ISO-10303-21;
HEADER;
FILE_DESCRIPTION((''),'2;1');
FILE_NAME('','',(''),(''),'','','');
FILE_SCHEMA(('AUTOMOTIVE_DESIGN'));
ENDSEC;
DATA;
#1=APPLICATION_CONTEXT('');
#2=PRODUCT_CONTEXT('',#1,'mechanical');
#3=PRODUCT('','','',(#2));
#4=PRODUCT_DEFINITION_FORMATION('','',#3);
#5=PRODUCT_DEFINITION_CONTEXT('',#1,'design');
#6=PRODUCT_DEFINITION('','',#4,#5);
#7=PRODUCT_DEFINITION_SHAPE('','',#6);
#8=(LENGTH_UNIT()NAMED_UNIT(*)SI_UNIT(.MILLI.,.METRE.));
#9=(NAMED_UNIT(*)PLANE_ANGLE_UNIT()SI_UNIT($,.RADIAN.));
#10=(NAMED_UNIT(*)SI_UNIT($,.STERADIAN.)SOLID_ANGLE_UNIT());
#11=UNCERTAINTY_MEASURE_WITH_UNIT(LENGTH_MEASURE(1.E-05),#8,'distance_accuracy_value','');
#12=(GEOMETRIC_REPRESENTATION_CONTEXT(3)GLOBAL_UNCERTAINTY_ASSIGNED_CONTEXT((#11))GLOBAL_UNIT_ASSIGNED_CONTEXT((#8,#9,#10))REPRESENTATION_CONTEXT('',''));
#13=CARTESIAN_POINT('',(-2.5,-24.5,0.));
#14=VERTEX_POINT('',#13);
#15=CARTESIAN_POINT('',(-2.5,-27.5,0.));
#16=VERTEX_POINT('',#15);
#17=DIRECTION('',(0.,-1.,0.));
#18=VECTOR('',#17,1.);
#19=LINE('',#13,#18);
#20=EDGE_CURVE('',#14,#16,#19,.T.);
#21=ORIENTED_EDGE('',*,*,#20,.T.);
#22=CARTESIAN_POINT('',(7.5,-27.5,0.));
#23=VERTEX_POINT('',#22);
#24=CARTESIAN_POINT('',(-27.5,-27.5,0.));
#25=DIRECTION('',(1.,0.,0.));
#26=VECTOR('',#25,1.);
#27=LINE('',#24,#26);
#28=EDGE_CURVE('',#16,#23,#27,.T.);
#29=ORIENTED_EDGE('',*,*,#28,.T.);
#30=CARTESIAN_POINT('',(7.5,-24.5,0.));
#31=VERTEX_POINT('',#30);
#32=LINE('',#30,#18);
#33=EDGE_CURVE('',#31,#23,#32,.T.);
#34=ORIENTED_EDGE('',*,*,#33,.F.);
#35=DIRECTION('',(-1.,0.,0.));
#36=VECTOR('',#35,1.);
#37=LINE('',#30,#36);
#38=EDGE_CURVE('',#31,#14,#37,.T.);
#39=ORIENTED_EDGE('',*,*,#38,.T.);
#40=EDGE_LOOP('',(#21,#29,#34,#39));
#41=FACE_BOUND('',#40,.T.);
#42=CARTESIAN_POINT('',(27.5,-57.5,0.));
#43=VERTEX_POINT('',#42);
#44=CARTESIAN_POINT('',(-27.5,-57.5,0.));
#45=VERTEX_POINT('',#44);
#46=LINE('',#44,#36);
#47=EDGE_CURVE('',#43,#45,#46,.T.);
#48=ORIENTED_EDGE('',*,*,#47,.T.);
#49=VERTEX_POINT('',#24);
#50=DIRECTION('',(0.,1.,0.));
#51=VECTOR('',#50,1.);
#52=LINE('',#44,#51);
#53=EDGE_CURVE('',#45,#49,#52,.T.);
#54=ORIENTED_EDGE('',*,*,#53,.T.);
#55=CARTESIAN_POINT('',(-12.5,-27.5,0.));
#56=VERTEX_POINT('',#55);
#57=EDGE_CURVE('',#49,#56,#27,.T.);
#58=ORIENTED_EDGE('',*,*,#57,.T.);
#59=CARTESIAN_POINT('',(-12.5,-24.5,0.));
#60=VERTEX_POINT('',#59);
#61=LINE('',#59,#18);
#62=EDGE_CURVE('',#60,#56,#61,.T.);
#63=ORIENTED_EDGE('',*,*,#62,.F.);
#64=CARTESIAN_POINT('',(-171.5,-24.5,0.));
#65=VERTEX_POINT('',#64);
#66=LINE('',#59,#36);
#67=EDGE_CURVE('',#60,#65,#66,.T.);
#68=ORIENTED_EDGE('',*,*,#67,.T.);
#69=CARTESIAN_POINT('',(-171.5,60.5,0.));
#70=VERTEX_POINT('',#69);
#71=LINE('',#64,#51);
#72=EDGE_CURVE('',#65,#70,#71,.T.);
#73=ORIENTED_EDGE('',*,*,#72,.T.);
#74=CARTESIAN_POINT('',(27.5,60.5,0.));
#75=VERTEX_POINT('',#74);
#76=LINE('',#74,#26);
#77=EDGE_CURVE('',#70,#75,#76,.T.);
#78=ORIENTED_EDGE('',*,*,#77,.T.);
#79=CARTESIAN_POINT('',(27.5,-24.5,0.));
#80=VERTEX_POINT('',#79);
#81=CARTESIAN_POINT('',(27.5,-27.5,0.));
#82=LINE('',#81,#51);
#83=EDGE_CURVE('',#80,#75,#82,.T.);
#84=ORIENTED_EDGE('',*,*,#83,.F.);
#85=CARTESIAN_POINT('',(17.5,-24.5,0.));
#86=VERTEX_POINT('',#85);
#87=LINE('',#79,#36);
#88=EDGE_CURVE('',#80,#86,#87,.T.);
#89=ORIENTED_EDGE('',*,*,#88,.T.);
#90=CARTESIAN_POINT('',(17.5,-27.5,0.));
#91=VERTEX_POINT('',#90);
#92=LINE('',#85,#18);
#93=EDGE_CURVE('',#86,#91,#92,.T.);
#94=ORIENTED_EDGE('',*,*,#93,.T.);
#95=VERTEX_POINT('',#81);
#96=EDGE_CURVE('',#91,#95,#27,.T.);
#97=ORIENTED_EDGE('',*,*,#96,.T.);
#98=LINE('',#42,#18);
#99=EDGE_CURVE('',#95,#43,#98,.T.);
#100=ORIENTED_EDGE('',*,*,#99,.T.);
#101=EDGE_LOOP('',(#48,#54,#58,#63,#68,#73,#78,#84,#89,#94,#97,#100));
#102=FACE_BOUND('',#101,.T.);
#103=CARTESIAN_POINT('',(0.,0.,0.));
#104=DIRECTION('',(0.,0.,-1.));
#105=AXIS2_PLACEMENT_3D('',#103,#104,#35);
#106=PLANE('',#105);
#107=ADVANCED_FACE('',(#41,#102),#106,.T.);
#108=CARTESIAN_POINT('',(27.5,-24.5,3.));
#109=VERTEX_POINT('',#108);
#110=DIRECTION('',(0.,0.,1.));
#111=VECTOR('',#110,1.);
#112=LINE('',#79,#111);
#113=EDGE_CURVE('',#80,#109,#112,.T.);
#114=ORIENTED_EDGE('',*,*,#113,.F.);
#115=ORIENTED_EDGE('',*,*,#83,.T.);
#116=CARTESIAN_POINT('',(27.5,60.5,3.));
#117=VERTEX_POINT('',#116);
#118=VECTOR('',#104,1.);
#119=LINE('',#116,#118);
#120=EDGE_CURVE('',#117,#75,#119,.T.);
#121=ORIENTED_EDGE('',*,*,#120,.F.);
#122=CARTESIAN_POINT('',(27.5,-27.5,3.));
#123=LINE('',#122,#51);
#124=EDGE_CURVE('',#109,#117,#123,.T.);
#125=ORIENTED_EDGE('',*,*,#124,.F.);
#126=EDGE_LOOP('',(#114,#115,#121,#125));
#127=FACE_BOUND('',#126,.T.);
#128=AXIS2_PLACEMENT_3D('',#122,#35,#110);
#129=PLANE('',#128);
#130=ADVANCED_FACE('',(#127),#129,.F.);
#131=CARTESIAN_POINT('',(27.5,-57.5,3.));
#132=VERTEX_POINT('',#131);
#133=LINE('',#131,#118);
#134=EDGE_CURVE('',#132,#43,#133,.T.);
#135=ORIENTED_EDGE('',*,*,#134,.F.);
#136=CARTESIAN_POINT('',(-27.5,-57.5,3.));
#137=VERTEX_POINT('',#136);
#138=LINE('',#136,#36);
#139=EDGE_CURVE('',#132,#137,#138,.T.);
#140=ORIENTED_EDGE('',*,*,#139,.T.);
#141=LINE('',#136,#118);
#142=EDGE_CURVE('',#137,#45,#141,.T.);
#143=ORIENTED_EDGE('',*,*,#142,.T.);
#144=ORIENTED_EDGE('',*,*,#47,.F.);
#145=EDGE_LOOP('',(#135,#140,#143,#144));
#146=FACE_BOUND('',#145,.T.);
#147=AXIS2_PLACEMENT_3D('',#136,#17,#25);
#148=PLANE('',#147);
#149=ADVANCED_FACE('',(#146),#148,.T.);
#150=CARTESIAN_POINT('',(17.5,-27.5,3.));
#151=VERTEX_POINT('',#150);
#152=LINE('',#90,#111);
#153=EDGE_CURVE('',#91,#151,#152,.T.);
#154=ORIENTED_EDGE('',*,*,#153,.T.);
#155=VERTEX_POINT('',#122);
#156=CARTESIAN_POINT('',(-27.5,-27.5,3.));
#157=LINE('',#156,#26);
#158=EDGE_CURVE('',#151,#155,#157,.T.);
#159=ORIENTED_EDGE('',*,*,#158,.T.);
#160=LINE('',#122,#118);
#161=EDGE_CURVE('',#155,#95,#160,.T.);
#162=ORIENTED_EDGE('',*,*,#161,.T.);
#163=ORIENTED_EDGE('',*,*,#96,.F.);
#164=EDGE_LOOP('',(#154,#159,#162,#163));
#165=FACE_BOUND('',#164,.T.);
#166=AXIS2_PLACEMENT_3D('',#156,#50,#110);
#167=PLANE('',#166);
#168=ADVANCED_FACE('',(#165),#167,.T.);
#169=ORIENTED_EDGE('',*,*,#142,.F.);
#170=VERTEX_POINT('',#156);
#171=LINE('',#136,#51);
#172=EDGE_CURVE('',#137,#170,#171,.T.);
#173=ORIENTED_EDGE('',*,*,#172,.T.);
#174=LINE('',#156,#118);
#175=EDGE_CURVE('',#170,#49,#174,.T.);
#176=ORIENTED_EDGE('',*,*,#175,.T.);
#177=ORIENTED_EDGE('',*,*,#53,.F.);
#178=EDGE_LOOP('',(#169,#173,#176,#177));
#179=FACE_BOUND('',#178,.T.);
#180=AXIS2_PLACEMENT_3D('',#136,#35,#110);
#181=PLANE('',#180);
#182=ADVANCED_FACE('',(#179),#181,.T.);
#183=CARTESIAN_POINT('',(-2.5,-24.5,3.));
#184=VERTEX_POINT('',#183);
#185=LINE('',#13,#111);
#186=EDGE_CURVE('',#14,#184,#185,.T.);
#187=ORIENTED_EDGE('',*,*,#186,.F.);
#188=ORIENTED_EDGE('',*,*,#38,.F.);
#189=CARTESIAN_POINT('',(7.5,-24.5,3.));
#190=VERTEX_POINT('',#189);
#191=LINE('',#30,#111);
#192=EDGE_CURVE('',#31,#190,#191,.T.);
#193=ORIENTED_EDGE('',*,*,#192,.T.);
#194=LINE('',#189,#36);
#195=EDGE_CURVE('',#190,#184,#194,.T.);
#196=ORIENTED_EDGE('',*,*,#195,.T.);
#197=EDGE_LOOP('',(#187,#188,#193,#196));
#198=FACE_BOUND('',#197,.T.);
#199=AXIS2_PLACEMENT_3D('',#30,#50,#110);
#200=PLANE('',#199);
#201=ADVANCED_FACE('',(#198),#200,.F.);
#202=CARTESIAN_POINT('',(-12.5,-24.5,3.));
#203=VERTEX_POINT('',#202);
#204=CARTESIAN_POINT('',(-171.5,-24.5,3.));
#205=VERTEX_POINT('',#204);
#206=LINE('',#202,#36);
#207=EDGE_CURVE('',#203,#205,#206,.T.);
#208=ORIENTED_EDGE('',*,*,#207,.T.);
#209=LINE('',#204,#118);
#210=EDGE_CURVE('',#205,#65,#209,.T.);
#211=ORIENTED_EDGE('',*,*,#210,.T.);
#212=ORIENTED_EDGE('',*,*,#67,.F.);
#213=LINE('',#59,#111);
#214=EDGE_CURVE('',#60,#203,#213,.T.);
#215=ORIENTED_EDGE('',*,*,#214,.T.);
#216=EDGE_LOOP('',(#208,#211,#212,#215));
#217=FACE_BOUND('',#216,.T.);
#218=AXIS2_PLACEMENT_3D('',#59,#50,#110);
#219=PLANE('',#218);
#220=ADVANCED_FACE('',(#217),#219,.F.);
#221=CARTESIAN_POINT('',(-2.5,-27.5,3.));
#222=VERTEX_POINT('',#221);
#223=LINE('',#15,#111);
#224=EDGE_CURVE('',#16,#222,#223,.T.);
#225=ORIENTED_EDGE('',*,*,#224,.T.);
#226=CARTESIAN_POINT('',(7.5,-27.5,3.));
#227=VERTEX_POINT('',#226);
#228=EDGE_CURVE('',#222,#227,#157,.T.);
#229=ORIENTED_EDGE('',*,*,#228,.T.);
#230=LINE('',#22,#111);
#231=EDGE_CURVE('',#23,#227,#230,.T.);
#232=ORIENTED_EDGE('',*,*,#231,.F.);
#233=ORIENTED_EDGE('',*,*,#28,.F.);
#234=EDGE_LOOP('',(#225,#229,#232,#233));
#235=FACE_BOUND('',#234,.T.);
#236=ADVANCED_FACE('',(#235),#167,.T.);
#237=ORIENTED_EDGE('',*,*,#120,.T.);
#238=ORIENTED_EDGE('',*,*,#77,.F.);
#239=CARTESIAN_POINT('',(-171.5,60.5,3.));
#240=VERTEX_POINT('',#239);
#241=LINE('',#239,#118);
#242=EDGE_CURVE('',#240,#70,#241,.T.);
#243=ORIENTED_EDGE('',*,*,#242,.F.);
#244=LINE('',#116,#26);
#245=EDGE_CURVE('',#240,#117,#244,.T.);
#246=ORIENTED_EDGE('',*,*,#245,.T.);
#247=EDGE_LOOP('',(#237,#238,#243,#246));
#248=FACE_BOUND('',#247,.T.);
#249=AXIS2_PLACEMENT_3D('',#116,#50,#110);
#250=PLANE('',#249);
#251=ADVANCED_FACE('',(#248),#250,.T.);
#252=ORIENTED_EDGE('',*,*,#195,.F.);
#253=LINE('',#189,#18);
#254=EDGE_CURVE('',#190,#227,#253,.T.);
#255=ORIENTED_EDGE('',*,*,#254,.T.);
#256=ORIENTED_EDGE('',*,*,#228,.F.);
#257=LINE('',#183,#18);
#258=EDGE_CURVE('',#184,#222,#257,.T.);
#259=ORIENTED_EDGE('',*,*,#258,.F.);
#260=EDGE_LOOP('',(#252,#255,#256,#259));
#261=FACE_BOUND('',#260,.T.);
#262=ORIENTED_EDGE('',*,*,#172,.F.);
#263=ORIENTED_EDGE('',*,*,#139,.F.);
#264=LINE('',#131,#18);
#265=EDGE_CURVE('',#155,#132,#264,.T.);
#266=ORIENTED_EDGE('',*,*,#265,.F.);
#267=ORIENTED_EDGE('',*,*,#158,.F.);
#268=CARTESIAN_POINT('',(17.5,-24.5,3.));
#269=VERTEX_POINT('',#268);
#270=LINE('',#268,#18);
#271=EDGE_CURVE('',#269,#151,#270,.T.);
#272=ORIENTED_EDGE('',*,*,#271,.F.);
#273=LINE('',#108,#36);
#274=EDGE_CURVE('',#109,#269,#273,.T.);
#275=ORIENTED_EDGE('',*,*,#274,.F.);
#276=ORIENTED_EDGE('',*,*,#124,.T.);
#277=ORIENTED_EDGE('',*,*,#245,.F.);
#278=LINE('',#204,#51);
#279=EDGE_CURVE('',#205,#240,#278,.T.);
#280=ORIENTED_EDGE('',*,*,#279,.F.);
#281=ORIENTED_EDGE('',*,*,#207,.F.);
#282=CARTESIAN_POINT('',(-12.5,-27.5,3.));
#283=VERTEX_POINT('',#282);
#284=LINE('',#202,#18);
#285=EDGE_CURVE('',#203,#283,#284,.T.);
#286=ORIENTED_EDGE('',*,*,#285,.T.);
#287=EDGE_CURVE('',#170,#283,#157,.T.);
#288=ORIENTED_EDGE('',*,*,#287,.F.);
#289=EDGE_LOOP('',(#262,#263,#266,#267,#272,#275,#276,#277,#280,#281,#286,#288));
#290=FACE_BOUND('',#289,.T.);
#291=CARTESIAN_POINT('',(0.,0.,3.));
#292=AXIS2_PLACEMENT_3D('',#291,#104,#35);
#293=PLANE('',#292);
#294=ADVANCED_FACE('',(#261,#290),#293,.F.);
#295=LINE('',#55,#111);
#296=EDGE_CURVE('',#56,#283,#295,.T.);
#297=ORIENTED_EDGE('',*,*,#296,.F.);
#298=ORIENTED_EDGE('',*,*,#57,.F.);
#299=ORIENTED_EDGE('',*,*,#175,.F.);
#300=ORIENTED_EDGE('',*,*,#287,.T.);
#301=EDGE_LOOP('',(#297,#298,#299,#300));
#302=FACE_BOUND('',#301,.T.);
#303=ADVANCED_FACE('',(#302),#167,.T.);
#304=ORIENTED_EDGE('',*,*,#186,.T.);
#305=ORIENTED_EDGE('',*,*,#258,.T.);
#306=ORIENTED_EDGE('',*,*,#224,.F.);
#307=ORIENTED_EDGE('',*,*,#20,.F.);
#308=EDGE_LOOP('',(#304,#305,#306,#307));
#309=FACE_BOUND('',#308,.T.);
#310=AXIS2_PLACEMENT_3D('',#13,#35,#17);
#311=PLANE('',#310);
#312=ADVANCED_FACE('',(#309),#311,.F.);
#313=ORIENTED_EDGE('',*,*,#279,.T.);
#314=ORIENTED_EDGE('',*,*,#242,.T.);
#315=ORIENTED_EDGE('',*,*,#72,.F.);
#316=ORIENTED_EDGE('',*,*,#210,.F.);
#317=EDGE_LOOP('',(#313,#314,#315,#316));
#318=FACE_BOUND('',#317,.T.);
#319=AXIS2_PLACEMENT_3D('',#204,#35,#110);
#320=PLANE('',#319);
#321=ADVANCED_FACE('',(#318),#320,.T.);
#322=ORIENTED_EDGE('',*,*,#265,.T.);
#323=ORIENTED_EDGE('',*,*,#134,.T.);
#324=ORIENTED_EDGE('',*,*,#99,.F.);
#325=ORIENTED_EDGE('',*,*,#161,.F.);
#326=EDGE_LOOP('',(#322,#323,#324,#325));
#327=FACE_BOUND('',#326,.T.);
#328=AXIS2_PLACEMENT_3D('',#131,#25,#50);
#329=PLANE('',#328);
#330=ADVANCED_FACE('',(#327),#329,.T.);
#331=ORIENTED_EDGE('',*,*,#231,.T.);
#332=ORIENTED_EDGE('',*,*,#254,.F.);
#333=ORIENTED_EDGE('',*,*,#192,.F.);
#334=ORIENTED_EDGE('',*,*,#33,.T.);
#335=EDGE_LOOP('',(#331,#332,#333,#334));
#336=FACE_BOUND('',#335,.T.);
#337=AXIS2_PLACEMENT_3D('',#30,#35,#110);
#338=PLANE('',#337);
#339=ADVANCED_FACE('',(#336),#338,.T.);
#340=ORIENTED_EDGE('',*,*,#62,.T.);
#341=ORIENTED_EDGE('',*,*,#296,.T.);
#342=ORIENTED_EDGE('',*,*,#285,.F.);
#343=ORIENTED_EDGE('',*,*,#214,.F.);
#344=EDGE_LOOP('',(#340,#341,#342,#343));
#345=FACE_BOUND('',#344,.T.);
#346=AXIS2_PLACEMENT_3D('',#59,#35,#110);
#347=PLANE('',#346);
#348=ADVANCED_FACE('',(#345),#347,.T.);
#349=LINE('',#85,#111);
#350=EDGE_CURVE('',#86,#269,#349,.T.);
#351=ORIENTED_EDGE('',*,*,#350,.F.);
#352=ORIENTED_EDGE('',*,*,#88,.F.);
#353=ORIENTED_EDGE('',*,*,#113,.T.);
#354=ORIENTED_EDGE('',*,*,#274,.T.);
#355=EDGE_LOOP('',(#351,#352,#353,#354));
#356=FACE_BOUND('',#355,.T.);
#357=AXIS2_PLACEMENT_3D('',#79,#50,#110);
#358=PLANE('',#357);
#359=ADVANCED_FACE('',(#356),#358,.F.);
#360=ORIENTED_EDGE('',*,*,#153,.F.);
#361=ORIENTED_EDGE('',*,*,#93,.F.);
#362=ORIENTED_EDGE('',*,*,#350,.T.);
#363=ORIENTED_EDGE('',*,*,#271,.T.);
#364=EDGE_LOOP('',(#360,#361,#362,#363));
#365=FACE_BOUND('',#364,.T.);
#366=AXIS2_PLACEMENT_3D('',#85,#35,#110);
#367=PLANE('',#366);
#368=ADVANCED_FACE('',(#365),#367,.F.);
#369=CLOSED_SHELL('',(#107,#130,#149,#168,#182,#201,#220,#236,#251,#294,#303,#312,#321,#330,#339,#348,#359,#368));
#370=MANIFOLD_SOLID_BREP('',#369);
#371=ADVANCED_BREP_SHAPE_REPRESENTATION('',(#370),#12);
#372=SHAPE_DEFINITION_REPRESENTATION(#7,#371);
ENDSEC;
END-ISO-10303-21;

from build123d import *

# Parameters (mm, degrees)
SKETCH1_W           = 55
SKETCH1_H           = 55
BOSS_EXTRUDE1_DEPTH = 3
SKETCH2_W           = 10
SKETCH2_H           = 3
SKETCH2_W_2         = 15
CUT_EXTRUDE1_DEPTH  = 3
SKETCH3_W           = 55
SKETCH3_H           = 30
BOSS_EXTRUDE2_DEPTH = 3
SKETCH4_W           = 144
SKETCH4_H           = 52
BOSS_EXTRUDE3_DEPTH = 3
SKETCH5_W           = 199
SKETCH5_H           = 13
BOSS_EXTRUDE4_DEPTH = 3
SKETCH6_W           = 199
SKETCH6_H           = 20
BOSS_EXTRUDE5_DEPTH = 3
SKETCH7_R           = 2
SKETCH7_W           = 40
SKETCH7_H           = 20
CUT_EXTRUDE22_DEPTH = 33
SKETCH8_W           = 40
SKETCH8_H           = 9
CUT_EXTRUDE23_DEPTH = 33
SKETCH9_W           = 63.816090929
SKETCH9_H           = 30.906314682
BOSS_EXTRUDE6_DEPTH = 3


with BuildPart() as part:
    # Sketch1 → Boss-Extrude1 (new body)
    with BuildSketch(Plane.XY):
        Rectangle(SKETCH1_W, SKETCH1_H)
    extrude(amount=BOSS_EXTRUDE1_DEPTH)

    # Sketch2 → Cut-Extrude1 (cut)
    with BuildSketch(Plane.XY.offset(3)):
        with Locations((22.5, -26)):
            Rectangle(SKETCH2_W, SKETCH2_H)
        with Locations((2.5, -26)):
            Rectangle(SKETCH2_W, SKETCH2_H)
        with Locations((-20, -26)):
            Rectangle(SKETCH2_W_2, SKETCH2_H)
    extrude(amount=-CUT_EXTRUDE1_DEPTH, mode=Mode.SUBTRACT)

    # Sketch3 → Boss-Extrude2 (add)
    with BuildSketch(Plane(origin=(0, 0, 0), x_dir=(-1, 0, 0), z_dir=(0, 0, -1))):
        with Locations((0, -42.5)):
            Rectangle(SKETCH3_W, SKETCH3_H)
    extrude(amount=-BOSS_EXTRUDE2_DEPTH)

    # Sketch4 → Boss-Extrude3 (add)
    with BuildSketch(Plane(origin=(0, 0, 0), x_dir=(-1, 0, 0), z_dir=(0, 0, -1))):
        with Locations((99.5, 1.5)):
            Rectangle(SKETCH4_W, SKETCH4_H)
    extrude(amount=-BOSS_EXTRUDE3_DEPTH)

    # Sketch5 → Boss-Extrude4 (add)
    with BuildSketch(Plane(origin=(0, 0, 0), x_dir=(-1, 0, 0), z_dir=(0, 0, -1))):
        with Locations((72, 34)):
            Rectangle(SKETCH5_W, SKETCH5_H)
    extrude(amount=-BOSS_EXTRUDE4_DEPTH)

    # Sketch6 → Boss-Extrude5 (add)
    with BuildSketch(Plane(origin=(0, 0, 0), x_dir=(-1, 0, 0), z_dir=(0, 0, -1))):
        with Locations((72, 50.5)):
            Rectangle(SKETCH6_W, SKETCH6_H)
    extrude(amount=-BOSS_EXTRUDE5_DEPTH)

    # Sketch7 → Cut-Extrude22 (cut)
    with BuildSketch(Plane(origin=(0, 0, 0), x_dir=(-1, 0, 0), z_dir=(0, 0, -1))):
        with Locations((168.5, 46.5)):
            Circle(SKETCH7_R)
        with Locations((168.5, 36.5)):
            Circle(SKETCH7_R)
        with Locations((118.5, 36.5)):
            Circle(SKETCH7_R)
        with Locations((118.5, 46.5)):
            Circle(SKETCH7_R)
        with Locations((143.5, 41.5)):
            Rectangle(SKETCH7_W, SKETCH7_H)
    extrude(amount=-CUT_EXTRUDE22_DEPTH, mode=Mode.SUBTRACT)

    # Sketch8 → Cut-Extrude23 (cut)
    with BuildSketch(Plane(origin=(0, 0, 0), x_dir=(-1, 0, 0), z_dir=(0, 0, -1))):
        with Locations((143.5, 56)):
            Rectangle(SKETCH8_W, SKETCH8_H)
    extrude(amount=-CUT_EXTRUDE23_DEPTH, mode=Mode.SUBTRACT)

    # Sketch9 → Boss-Extrude6 (add)
    with BuildSketch(Plane(origin=(0, 0, 0), x_dir=(-1, 0, 0), z_dir=(0, 0, -1))):
        with Locations((139.591954536, 45.046842659)):
            Rectangle(SKETCH9_W, SKETCH9_H)
    extrude(amount=-BOSS_EXTRUDE6_DEPTH)


solid = part.part
